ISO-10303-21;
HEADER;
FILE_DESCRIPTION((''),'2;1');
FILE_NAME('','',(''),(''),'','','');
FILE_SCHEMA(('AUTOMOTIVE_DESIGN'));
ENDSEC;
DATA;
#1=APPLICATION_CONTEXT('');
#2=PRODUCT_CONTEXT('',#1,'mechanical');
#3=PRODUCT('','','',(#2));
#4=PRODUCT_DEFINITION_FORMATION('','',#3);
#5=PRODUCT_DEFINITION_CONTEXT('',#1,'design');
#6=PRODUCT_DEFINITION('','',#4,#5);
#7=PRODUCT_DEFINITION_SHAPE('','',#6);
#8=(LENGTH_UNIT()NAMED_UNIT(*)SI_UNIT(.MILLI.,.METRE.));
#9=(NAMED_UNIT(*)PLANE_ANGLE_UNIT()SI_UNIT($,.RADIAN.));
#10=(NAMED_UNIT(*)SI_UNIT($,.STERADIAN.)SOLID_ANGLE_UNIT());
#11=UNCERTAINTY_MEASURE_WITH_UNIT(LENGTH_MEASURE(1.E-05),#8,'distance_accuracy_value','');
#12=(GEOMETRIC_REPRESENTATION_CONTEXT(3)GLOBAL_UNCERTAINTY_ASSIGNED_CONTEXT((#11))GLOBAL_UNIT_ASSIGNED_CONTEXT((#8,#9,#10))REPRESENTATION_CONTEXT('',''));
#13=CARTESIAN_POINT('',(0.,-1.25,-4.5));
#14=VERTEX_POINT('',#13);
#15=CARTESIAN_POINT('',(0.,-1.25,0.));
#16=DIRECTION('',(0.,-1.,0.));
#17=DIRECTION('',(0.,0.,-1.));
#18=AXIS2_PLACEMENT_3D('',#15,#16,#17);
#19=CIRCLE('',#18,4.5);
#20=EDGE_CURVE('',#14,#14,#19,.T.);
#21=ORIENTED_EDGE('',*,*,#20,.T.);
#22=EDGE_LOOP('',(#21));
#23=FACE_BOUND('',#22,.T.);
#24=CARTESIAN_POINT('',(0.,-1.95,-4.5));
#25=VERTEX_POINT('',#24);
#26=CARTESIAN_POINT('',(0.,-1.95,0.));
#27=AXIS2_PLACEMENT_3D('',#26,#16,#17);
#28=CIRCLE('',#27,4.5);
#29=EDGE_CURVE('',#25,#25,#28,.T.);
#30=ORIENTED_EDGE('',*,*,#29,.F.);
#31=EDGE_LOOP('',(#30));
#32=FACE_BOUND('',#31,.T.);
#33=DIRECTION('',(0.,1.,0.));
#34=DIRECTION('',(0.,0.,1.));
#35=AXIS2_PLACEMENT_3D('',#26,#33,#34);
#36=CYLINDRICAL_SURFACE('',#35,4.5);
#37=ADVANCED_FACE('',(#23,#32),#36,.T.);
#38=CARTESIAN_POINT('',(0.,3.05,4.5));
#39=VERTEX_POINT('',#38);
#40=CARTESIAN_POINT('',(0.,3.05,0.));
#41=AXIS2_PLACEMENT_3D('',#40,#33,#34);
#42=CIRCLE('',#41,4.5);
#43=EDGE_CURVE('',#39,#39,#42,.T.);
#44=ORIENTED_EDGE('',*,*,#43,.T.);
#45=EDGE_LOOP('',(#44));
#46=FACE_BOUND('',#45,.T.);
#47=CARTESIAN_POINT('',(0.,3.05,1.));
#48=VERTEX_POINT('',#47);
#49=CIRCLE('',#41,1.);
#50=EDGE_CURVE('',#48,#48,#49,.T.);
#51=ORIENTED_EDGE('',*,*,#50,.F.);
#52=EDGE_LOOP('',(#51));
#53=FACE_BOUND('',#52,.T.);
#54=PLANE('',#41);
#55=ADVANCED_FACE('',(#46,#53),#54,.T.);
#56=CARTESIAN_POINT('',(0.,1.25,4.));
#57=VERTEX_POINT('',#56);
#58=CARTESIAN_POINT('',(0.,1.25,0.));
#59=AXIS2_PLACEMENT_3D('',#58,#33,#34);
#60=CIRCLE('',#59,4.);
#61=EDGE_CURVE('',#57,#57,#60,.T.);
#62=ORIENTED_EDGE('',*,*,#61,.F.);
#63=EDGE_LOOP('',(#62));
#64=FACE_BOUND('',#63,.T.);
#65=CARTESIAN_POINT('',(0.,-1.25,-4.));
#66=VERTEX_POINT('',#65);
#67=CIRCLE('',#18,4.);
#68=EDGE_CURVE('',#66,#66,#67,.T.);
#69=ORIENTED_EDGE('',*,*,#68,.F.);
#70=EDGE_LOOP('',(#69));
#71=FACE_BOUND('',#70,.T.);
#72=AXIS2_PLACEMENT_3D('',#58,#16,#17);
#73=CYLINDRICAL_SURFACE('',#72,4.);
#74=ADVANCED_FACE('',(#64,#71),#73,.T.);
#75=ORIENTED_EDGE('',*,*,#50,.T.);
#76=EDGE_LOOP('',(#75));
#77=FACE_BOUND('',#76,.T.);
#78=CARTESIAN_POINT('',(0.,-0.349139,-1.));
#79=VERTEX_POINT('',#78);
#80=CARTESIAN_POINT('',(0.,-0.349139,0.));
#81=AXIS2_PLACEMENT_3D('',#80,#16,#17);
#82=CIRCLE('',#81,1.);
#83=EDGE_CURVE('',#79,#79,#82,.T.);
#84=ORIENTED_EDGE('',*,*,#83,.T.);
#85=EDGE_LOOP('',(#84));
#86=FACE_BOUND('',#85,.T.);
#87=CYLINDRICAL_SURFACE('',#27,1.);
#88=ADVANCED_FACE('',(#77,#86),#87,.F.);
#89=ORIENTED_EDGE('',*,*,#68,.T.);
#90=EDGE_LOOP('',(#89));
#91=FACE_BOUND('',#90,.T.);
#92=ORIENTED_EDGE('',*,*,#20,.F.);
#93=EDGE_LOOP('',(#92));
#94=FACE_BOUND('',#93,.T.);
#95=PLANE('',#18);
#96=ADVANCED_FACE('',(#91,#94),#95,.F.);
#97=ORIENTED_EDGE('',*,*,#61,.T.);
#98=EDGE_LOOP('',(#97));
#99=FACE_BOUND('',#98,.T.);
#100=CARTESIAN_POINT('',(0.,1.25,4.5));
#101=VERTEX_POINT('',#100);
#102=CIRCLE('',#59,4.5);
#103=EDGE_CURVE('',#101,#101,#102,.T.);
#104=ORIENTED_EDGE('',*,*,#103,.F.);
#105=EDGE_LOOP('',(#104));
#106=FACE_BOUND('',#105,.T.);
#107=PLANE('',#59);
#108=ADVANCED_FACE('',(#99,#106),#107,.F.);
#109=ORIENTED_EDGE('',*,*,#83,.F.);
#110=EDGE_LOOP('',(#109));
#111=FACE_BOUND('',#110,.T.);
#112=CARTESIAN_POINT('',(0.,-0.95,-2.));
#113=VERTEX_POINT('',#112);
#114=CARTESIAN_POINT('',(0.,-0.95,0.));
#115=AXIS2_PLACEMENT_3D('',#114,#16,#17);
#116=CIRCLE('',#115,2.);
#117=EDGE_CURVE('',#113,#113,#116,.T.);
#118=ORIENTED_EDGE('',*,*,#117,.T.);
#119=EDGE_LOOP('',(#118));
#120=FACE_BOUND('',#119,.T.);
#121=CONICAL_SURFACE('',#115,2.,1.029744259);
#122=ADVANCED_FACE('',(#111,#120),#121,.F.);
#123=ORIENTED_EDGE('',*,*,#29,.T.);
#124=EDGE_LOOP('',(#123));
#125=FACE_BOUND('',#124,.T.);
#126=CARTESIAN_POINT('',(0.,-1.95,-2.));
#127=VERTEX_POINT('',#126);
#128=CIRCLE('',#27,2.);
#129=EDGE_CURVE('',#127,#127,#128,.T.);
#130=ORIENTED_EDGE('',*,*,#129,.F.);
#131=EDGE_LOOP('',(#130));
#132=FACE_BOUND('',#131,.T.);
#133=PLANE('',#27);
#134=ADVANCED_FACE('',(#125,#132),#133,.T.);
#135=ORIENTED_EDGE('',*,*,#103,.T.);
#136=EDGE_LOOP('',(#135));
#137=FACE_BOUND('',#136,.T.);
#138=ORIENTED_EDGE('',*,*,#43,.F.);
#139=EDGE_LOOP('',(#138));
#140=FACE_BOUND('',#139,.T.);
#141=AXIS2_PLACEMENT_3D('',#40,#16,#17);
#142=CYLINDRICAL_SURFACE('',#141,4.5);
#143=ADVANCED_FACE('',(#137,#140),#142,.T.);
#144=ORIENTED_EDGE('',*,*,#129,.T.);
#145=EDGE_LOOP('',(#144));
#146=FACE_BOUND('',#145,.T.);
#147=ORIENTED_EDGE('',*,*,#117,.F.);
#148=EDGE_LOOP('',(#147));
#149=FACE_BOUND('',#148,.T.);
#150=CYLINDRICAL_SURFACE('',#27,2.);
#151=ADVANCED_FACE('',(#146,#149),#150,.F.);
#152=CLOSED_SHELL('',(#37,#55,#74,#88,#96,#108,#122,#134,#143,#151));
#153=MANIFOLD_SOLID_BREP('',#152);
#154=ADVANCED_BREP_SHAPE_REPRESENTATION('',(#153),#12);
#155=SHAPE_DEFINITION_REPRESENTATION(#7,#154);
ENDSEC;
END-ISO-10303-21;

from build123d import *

# Parameters (mm, degrees)
ESQUISSE1_R        = 4
BOSS_EXTRU_1_DEPTH = 1.25
ESQUISSE2_R        = 4.5
BOSS_EXTRU_2_DEPTH = 1.8
BOSS_EXTRU_3_START = 0.7
ESQUISSE3_R        = 4.5
BOSS_EXTRU_3_DEPTH = 0.7


with BuildPart() as part:
    # Esquisse1 → Boss.-Extru.1 (new, symmetric)
    with BuildSketch(Plane(origin=(0, 0, 0), x_dir=(1, 0, 0), z_dir=(0, 1, 0))):
        with Locations(Location((0, 0, 0), (0, 0, 270))):
            Circle(ESQUISSE1_R)
    extrude(amount=BOSS_EXTRU_1_DEPTH, both=True)

    # Esquisse2 → Boss.-Extru.2 (add)
    with BuildSketch(Plane(origin=(0, 1.25, 0), x_dir=(1, 0, 0), z_dir=(0, 1, 0))):
        with Locations(Location((0, 0, 0), (0, 0, 270))):
            Circle(ESQUISSE2_R)
    extrude(amount=BOSS_EXTRU_2_DEPTH)

    # Esquisse3 → Boss.-Extru.3 (add)
    with BuildSketch(Plane(origin=(0, -1.25, 0), x_dir=(-1, 0, 0), z_dir=(0, -1, 0)).offset(BOSS_EXTRU_3_START)):
        with Locations(Location((0, 0, 0), (0, 0, 270))):
            Circle(ESQUISSE3_R)
    extrude(amount=-BOSS_EXTRU_3_DEPTH)

    # Esquisse4 → Perçage1 (revolve, cut)
    with BuildSketch(Plane(origin=(0, -1.95, 0), x_dir=(0, 0, -1), z_dir=(1, 0, 0))):
        Polygon((0, 0), (0, 10.600860619), (1, 10), (1, 1.600860619), (2, 1), (2, 0), align=None)
    revolve(axis=Axis((0, -8.080023899, 0), (0, 1, 0)), mode=Mode.SUBTRACT)


solid = part.part
